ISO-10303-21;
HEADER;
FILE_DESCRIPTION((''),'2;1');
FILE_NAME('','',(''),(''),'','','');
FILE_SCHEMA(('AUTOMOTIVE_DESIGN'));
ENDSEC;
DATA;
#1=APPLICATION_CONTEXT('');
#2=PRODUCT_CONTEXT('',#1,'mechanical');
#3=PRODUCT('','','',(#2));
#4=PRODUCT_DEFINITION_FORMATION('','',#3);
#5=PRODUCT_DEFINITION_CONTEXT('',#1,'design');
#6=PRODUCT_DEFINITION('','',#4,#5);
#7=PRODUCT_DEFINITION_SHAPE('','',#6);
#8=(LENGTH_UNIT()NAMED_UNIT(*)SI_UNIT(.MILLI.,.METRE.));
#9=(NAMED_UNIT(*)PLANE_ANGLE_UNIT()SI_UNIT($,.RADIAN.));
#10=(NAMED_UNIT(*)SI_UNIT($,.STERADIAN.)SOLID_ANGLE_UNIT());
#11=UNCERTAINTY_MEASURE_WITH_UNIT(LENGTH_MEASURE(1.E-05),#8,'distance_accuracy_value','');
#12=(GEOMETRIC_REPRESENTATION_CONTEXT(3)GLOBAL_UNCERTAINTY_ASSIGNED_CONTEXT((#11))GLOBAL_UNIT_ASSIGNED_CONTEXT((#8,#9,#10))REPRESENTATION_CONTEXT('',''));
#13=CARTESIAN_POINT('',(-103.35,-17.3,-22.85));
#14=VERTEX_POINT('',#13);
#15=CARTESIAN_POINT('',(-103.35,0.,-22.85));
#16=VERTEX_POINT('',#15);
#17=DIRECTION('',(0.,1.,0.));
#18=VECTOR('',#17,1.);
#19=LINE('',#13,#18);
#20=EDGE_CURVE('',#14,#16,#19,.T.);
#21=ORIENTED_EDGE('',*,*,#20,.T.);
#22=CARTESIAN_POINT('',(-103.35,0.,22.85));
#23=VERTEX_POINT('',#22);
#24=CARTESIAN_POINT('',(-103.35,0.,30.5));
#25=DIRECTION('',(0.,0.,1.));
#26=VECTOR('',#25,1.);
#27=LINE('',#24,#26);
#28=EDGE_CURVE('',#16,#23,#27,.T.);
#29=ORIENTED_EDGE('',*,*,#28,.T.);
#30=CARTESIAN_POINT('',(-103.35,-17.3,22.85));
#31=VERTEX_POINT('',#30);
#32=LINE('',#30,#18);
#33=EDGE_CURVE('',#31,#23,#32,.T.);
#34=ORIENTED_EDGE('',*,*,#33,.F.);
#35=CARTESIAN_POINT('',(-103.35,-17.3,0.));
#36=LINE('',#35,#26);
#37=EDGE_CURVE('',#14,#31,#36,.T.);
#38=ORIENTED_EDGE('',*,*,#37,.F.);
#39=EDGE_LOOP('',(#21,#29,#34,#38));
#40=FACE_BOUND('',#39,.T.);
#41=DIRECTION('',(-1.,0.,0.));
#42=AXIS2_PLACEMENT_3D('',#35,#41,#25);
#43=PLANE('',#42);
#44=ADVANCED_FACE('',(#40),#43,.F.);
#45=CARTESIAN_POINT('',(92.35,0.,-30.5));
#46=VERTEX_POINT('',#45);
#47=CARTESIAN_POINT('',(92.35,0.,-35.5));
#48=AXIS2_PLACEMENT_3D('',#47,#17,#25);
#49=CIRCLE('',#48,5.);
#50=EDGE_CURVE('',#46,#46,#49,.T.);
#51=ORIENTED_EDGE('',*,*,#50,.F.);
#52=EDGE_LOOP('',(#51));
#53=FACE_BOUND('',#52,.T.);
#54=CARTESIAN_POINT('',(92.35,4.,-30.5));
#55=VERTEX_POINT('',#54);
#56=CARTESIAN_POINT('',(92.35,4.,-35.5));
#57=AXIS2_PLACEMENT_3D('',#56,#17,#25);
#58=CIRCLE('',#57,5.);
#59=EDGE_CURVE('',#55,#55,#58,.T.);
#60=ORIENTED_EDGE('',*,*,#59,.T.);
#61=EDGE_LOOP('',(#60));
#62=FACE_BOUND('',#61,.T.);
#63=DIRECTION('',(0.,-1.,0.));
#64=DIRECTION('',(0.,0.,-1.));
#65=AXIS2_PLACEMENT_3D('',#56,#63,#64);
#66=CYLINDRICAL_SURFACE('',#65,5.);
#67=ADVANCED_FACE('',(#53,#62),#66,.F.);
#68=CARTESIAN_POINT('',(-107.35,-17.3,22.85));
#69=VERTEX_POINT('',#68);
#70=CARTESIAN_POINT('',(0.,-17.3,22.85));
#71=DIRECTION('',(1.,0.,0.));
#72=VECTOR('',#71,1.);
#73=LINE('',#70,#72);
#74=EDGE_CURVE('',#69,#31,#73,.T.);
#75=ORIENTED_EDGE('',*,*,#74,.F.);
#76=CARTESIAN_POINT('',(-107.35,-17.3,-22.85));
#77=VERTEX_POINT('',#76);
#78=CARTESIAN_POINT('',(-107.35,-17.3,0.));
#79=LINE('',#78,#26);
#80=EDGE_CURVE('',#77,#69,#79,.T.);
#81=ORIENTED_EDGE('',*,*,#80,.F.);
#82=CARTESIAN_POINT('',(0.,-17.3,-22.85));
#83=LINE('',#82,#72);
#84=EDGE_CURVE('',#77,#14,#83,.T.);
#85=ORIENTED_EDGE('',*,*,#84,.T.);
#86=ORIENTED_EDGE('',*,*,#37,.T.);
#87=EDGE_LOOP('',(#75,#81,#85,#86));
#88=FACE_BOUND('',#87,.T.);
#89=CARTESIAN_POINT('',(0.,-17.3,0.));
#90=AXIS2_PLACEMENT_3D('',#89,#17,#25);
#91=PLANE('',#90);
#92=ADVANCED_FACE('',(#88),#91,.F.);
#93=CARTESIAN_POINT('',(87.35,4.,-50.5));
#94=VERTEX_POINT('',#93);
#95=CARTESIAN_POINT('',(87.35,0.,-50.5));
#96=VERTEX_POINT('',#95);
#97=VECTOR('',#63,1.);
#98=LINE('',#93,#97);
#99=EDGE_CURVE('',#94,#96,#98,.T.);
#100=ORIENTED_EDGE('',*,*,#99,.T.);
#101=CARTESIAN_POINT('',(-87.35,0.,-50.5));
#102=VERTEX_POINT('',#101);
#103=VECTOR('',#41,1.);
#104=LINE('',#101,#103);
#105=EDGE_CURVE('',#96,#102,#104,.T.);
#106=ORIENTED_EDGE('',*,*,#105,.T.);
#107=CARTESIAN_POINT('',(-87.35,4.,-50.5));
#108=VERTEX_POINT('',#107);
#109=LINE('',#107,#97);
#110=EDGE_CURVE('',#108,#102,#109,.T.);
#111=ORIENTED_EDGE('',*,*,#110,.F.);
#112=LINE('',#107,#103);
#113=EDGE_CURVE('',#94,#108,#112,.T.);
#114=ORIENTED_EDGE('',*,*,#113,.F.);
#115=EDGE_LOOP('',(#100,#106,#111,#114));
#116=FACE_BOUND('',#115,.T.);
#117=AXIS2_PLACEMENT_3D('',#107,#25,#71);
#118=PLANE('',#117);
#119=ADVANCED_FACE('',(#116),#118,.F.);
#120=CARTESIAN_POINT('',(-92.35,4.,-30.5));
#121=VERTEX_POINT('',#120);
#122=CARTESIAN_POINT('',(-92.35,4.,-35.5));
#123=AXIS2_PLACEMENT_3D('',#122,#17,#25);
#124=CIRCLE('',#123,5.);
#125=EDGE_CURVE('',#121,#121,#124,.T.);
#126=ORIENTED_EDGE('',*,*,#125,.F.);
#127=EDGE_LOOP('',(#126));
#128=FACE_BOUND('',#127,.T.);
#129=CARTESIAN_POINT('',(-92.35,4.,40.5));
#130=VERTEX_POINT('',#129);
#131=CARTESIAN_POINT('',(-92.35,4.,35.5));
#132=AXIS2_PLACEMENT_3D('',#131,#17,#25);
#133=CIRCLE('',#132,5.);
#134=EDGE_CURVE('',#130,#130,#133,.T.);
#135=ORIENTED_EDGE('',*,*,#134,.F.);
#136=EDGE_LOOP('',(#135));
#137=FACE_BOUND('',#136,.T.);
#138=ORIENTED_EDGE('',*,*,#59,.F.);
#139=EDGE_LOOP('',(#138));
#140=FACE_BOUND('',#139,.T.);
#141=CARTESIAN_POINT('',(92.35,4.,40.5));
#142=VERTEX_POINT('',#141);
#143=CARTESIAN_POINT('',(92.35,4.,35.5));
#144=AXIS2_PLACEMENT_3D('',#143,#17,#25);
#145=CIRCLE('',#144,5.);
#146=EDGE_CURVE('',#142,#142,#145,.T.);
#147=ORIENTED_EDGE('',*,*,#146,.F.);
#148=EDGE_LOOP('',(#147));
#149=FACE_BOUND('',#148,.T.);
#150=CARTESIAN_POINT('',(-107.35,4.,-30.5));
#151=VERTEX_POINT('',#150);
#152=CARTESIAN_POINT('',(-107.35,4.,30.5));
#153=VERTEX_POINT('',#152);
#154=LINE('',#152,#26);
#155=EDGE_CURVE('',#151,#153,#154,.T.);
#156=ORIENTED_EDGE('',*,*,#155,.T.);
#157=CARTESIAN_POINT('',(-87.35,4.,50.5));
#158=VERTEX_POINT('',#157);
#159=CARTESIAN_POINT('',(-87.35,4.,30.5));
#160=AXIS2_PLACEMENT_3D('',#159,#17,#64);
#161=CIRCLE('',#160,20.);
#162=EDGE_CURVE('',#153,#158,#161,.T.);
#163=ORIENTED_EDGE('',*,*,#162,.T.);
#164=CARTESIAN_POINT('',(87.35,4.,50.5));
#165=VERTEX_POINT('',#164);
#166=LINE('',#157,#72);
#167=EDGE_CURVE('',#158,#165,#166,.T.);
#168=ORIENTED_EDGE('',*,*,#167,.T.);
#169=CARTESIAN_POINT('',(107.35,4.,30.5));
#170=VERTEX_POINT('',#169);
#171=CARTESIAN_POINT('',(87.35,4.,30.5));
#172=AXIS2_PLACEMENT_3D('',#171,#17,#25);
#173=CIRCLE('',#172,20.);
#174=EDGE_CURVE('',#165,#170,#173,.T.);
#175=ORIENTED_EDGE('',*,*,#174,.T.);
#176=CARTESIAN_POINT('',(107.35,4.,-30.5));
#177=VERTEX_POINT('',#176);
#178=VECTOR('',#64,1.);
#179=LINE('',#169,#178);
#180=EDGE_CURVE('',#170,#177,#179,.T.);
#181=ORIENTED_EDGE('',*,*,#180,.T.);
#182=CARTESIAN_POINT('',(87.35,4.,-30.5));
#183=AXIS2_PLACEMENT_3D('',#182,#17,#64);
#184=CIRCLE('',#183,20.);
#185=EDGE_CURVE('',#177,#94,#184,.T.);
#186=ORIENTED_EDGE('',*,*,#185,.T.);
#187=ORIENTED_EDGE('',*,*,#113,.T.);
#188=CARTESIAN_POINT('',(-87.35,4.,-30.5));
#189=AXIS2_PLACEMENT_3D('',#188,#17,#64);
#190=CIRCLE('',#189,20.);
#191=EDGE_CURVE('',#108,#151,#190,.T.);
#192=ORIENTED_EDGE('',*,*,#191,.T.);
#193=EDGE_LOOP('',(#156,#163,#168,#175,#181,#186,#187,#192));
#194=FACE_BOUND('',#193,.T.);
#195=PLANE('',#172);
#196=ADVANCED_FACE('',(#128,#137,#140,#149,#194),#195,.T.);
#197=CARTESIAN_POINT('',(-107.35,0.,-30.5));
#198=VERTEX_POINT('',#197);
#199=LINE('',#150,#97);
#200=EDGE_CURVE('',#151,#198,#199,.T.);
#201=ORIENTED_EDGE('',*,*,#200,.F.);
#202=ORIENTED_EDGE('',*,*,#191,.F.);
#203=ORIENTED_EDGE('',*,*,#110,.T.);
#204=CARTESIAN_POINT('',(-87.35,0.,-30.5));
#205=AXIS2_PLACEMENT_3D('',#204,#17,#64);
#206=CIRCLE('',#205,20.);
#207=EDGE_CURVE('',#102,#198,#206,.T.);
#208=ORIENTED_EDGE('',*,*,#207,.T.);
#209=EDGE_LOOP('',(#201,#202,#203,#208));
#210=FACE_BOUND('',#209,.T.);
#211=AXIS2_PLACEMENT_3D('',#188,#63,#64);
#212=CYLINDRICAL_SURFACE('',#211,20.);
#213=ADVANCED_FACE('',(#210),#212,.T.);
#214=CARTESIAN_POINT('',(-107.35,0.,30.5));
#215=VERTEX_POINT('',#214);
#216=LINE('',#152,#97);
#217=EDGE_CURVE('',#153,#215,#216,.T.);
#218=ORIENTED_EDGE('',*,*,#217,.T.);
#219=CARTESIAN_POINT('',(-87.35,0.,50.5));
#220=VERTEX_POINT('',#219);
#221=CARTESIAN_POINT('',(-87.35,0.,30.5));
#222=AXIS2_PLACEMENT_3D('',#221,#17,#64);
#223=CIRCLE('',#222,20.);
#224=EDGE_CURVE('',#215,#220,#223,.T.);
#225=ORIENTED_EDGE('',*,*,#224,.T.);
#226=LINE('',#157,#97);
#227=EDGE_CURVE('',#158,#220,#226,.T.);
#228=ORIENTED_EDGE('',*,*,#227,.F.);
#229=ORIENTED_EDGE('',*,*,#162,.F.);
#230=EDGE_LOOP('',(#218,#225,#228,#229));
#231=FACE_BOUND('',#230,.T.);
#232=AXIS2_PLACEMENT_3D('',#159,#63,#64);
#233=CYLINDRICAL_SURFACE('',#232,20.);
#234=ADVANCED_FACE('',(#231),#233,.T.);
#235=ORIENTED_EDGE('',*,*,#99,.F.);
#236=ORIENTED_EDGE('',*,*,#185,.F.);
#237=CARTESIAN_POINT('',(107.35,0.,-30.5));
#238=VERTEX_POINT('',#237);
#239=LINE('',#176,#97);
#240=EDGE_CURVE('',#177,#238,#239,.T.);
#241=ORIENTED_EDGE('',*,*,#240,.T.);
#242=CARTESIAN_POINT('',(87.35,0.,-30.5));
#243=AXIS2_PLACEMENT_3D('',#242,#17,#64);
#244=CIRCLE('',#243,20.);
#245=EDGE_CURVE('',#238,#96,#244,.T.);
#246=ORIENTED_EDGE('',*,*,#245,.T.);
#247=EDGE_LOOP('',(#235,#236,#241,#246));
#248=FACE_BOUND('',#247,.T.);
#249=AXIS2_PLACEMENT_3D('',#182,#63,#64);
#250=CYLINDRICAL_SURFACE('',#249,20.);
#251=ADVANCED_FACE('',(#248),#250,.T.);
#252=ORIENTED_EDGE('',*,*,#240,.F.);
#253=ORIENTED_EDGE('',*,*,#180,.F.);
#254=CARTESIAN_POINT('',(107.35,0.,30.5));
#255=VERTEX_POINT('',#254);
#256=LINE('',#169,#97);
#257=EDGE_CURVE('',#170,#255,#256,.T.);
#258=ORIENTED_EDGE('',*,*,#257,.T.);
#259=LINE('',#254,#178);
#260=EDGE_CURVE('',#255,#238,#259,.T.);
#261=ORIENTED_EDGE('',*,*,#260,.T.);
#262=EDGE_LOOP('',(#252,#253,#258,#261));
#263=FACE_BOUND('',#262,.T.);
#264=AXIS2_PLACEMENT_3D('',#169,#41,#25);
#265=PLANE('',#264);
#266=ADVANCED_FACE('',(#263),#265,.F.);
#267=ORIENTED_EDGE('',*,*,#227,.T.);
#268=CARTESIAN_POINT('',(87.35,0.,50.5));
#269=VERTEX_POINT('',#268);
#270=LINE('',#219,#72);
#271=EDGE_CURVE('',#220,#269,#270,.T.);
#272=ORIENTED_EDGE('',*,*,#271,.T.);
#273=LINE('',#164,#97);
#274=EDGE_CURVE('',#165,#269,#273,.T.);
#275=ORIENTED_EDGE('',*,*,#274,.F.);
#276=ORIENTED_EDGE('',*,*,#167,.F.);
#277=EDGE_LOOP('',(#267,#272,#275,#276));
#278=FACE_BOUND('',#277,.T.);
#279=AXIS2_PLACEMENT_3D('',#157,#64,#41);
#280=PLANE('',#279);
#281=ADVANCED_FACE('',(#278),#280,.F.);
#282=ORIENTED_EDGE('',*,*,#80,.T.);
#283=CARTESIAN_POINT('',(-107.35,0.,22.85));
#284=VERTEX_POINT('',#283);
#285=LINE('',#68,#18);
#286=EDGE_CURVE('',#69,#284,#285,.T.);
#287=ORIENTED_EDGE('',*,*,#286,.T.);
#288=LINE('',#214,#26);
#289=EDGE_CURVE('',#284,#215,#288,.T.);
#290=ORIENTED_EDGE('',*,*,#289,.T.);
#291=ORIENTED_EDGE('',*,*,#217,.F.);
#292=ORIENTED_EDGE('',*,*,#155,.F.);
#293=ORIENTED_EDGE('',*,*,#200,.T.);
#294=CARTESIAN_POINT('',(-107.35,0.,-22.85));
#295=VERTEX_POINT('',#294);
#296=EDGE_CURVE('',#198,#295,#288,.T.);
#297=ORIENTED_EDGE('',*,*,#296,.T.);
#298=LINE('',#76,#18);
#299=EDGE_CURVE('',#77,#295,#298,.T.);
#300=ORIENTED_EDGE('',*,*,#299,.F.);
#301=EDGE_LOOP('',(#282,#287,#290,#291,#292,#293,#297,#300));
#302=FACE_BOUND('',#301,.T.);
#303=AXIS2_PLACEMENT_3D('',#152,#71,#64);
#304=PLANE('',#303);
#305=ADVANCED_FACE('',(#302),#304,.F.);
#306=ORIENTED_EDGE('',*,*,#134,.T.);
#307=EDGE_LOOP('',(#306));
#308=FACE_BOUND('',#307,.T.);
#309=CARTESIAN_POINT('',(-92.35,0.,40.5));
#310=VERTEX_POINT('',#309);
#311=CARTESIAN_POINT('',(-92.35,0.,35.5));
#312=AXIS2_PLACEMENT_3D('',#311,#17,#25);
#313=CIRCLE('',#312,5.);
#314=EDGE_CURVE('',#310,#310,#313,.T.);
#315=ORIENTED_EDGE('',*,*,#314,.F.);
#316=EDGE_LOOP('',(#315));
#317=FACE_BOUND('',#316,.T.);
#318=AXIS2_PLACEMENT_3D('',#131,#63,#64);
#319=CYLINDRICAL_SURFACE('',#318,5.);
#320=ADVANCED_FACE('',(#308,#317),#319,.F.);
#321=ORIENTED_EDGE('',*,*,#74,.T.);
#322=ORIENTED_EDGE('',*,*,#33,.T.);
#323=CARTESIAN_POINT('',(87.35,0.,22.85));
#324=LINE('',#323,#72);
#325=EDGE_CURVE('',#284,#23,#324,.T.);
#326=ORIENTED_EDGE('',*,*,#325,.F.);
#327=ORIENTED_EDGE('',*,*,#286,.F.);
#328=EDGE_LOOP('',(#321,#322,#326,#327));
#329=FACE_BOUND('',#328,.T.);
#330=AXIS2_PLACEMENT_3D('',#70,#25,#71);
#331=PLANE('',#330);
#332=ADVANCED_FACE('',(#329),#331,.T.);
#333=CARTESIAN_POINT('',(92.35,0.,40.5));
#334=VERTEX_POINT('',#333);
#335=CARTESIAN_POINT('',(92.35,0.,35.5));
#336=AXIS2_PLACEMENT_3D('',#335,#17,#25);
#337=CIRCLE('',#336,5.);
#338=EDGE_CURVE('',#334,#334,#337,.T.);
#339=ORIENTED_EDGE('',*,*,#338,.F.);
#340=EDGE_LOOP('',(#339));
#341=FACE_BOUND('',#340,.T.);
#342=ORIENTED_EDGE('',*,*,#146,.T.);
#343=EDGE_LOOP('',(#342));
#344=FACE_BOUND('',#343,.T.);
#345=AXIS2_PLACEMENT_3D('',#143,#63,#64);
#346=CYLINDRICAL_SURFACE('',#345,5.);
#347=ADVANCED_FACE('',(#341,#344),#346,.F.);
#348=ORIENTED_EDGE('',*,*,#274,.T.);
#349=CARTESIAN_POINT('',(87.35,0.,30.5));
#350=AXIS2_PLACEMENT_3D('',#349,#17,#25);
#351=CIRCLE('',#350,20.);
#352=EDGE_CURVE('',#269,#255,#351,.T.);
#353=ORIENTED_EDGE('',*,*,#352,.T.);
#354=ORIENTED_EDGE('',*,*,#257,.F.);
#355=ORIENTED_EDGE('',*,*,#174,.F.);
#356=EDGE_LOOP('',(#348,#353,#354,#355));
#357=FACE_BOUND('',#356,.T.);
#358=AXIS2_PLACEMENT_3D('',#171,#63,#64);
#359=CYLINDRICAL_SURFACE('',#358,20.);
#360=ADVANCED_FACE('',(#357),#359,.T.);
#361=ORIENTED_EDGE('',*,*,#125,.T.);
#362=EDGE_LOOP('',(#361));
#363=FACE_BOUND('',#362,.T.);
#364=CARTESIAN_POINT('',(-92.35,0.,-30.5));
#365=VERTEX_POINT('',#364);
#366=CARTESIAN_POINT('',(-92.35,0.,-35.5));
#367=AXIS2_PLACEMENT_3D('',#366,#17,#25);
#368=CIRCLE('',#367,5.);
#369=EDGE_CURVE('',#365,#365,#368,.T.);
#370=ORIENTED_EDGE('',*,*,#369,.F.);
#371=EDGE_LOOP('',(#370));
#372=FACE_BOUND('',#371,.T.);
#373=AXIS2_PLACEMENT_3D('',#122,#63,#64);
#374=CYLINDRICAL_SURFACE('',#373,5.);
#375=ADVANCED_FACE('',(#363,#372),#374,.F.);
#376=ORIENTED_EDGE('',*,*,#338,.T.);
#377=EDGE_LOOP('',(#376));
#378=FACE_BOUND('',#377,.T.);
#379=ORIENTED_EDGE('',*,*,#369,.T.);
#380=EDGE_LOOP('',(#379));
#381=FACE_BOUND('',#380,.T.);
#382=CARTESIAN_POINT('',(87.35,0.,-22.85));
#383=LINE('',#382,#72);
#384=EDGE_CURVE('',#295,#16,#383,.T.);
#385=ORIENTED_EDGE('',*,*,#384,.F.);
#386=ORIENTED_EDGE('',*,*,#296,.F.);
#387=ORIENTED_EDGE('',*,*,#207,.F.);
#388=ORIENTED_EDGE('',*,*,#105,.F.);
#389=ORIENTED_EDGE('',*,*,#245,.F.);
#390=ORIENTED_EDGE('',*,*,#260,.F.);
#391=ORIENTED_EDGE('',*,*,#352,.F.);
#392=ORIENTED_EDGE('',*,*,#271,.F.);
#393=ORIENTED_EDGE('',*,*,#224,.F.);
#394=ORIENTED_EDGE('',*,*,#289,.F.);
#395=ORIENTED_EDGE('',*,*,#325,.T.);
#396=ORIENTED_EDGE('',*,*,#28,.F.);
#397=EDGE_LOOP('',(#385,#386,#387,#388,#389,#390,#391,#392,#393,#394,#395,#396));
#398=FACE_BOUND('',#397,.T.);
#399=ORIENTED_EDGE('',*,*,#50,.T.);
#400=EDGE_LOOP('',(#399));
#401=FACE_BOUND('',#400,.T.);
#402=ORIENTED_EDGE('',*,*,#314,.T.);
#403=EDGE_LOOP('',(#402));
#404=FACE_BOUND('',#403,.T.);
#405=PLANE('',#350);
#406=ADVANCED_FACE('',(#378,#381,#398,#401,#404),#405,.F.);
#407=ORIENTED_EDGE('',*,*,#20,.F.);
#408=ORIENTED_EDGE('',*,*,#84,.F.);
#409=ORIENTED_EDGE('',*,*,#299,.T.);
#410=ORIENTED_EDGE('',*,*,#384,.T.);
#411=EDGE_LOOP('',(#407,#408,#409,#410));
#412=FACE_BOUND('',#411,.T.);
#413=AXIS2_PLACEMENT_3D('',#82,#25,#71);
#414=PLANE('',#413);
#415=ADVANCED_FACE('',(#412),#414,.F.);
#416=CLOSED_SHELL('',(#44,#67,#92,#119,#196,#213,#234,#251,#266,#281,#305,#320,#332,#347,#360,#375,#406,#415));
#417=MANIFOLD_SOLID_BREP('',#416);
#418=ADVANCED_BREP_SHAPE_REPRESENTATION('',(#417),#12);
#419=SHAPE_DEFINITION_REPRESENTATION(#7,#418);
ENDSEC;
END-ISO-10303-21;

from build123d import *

# Parameters (mm, degrees)
SKETCH1_R           = 5
BOSS_EXTRUDE1_DEPTH = 4
SKETCH2_W           = 4
SKETCH2_H           = 45.7
BOSS_EXTRUDE2_DEPTH = 21.3


with BuildPart() as part:
    # Sketch1 → Boss-Extrude1 (new body)
    with BuildSketch(Plane(origin=(0, 0, 0), x_dir=(1, 0, 0), z_dir=(0, 1, 0))):
        with BuildLine():
            Line((-87.35, -50.5), (87.35, -50.5))
            ThreePointArc((87.35, -50.5), (101.492135624, -44.642135624), (107.35, -30.5))
            Line((107.35, -30.5), (107.35, 30.5))
            ThreePointArc((107.35, 30.5), (101.492135624, 44.642135624), (87.35, 50.5))
            Line((87.35, 50.5), (-87.35, 50.5))
            ThreePointArc((-87.35, 50.5), (-101.492135624, 44.642135624), (-107.35, 30.5))
            Line((-107.35, 30.5), (-107.35, -30.5))
            ThreePointArc((-107.35, -30.5), (-101.492135624, -44.642135624), (-87.35, -50.5))
        make_face()
        with Locations((-92.35, 35.5)):
            Circle(SKETCH1_R, mode=Mode.SUBTRACT)
        with Locations((92.35, 35.5)):
            Circle(SKETCH1_R, mode=Mode.SUBTRACT)
        with Locations((92.35, -35.5)):
            Circle(SKETCH1_R, mode=Mode.SUBTRACT)
        with Locations((-92.35, -35.5)):
            Circle(SKETCH1_R, mode=Mode.SUBTRACT)
    extrude(amount=BOSS_EXTRUDE1_DEPTH)

    # Sketch2 → Boss-Extrude2 (add)
    with BuildSketch(Plane(origin=(0, 4, 0), x_dir=(1, 0, 0), z_dir=(0, 1, 0))):
        with Locations((-105.35, 0)):
            Rectangle(SKETCH2_W, SKETCH2_H)
    extrude(amount=-BOSS_EXTRUDE2_DEPTH)


solid = part.part
